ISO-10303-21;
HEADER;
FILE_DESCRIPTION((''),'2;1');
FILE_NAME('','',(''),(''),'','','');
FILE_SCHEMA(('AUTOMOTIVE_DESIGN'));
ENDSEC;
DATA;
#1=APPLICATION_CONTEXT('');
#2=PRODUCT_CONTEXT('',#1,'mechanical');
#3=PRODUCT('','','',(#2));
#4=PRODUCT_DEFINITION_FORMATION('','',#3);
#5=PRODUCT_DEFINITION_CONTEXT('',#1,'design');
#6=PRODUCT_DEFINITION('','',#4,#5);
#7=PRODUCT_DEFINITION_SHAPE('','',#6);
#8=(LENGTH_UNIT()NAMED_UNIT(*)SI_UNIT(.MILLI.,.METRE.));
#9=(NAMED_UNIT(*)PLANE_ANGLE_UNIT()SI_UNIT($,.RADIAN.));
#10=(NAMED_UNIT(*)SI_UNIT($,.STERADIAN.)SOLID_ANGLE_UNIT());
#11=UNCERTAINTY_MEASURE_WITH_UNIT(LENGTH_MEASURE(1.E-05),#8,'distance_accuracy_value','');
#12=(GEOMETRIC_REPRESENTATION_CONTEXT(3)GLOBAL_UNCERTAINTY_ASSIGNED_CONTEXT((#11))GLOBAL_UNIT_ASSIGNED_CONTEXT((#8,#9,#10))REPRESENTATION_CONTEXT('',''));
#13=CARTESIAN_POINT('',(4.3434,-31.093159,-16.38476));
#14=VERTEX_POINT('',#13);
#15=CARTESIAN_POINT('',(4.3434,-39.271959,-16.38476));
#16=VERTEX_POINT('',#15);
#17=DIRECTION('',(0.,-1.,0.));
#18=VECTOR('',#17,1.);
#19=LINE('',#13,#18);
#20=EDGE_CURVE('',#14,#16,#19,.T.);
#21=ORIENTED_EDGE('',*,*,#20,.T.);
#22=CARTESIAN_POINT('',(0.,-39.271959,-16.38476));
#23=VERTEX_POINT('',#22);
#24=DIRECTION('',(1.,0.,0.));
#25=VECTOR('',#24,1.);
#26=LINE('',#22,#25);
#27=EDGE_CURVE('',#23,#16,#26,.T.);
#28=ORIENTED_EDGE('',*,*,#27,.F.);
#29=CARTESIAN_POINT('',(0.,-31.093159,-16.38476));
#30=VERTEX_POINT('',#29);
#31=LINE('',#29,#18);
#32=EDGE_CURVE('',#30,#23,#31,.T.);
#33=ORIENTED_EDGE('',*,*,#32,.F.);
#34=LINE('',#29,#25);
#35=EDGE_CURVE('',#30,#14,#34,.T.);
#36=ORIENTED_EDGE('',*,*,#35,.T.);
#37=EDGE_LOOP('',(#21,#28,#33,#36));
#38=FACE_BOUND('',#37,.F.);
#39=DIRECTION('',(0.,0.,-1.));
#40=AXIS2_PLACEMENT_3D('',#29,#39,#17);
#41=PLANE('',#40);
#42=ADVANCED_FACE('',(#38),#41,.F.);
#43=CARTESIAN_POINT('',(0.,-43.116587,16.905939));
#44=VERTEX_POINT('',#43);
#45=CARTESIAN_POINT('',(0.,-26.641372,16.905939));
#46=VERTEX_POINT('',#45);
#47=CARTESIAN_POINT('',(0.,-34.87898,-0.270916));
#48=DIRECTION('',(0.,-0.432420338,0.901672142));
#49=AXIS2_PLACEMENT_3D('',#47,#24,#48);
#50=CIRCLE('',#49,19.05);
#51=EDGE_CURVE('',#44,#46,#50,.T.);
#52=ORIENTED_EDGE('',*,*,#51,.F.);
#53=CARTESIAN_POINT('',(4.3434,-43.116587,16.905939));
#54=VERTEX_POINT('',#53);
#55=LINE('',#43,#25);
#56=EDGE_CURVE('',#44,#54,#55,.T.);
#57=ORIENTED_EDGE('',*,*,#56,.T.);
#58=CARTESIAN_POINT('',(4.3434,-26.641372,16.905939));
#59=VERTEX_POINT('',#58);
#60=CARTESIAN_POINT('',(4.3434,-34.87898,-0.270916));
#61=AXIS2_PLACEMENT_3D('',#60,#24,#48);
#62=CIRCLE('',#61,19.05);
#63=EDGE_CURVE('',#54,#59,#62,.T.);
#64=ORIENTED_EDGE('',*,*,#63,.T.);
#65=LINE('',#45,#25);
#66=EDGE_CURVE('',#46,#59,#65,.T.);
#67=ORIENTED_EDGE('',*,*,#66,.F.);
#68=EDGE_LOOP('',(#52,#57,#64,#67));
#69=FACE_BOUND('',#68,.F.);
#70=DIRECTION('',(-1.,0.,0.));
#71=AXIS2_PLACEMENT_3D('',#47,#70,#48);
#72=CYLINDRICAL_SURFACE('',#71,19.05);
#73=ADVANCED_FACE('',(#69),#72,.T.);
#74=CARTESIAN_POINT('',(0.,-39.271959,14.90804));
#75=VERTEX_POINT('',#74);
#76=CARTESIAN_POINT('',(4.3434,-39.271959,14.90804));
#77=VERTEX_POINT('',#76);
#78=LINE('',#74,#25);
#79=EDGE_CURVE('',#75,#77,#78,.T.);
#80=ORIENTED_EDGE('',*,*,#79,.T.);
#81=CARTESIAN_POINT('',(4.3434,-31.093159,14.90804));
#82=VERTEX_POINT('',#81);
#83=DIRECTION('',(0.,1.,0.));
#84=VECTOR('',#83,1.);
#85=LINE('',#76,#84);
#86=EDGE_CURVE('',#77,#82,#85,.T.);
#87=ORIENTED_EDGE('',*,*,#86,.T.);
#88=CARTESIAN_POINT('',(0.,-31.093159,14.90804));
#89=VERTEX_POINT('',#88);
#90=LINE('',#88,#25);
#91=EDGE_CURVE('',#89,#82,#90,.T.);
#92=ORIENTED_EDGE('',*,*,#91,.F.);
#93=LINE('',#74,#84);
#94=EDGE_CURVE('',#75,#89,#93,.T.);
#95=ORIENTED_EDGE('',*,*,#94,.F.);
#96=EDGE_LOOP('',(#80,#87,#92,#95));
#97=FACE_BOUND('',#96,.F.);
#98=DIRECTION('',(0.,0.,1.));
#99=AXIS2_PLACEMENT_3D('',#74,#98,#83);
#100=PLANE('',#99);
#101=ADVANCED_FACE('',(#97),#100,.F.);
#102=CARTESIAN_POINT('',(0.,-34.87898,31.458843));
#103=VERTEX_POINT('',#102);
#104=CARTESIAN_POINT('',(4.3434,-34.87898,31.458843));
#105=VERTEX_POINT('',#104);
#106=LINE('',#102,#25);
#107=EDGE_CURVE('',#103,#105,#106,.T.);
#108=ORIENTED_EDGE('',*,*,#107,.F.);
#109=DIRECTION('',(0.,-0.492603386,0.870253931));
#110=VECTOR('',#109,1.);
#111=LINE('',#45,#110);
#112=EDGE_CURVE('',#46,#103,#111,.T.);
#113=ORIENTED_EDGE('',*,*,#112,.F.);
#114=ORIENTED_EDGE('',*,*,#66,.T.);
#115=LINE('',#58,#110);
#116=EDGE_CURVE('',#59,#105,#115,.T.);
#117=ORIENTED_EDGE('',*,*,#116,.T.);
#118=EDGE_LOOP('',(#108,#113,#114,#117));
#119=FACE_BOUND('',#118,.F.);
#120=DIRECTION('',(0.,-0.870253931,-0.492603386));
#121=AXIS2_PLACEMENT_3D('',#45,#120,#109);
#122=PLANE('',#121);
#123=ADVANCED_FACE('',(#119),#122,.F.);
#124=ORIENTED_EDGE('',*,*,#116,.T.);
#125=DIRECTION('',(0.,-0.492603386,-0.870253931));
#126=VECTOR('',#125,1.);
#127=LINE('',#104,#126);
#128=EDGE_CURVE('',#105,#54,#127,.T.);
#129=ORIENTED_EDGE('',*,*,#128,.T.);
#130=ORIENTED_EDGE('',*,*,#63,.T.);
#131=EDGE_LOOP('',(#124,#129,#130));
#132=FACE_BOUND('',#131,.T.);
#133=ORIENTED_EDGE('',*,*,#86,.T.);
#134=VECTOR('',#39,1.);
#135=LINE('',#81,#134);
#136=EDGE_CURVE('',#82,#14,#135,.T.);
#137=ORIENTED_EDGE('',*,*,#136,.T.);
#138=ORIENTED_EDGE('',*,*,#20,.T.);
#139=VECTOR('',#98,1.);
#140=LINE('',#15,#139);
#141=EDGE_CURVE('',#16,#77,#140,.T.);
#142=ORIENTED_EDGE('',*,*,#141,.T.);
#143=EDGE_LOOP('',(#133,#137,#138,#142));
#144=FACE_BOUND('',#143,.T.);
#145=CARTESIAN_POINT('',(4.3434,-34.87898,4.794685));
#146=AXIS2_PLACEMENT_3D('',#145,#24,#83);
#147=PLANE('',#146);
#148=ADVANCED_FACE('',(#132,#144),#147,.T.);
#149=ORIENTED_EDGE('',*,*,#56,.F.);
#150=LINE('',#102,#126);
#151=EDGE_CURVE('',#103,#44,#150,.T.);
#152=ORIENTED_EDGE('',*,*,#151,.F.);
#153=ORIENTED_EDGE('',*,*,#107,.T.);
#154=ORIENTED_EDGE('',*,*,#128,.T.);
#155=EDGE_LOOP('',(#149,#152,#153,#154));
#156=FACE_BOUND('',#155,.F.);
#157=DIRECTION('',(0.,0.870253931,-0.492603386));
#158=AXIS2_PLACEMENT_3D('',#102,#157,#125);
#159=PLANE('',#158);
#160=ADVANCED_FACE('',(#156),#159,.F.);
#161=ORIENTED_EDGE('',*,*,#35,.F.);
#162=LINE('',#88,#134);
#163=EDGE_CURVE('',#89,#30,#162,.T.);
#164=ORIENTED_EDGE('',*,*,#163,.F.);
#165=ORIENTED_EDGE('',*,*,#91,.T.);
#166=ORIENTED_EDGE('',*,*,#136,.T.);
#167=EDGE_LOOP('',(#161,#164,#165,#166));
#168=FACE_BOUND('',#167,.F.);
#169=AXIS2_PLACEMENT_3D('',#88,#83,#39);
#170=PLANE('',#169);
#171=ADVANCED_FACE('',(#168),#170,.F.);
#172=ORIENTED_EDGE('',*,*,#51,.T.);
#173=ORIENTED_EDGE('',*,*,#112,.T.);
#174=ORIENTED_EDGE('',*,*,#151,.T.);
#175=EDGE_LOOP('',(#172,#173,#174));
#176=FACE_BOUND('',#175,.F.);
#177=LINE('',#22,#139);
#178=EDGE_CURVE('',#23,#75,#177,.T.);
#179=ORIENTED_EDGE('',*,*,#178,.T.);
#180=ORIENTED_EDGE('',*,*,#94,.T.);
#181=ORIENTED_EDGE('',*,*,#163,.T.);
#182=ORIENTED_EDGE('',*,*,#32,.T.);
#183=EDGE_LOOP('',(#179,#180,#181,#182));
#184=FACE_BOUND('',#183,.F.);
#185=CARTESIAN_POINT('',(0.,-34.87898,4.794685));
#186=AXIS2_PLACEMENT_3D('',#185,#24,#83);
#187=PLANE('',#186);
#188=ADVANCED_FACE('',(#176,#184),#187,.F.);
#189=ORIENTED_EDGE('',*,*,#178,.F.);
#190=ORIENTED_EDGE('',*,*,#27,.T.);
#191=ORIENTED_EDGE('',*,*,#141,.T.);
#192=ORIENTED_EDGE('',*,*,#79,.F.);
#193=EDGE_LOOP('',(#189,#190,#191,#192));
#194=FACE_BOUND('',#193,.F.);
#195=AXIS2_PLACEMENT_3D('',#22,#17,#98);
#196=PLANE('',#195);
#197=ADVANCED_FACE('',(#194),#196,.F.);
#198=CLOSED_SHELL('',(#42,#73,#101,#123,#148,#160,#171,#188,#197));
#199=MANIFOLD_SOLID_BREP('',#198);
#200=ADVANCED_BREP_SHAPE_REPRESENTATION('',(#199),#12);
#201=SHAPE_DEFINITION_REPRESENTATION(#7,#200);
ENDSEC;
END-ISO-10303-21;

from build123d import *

# Parameters (mm, degrees)
F1_DEPTH = 4.3434


with BuildPart() as f1:
    # F0 (on Right) → F1 (new body)
    with BuildSketch(Plane.YZ):
        with BuildLine():
            Line((-26.6413724846, 16.9059385684), (-34.878979916, 31.4588434994))
            Line((-34.878979916, 31.4588434994), (-43.1165873473, 16.9059385684))
            ThreePointArc((-43.1165873473, 16.9059385684), (-34.878979916, -19.3209157364), (-26.6413724846, 16.9059385684))
        make_face()
        Polygon((-39.2719586242, -16.3847599084), (-39.2719586242, 14.9080400916), (-34.878979916, 14.9080400916), (-31.0931586242, 14.9080400916), (-31.0931586242, -16.3847599084), align=None, mode=Mode.SUBTRACT)
    extrude(amount=F1_DEPTH)


solid = f1.part
